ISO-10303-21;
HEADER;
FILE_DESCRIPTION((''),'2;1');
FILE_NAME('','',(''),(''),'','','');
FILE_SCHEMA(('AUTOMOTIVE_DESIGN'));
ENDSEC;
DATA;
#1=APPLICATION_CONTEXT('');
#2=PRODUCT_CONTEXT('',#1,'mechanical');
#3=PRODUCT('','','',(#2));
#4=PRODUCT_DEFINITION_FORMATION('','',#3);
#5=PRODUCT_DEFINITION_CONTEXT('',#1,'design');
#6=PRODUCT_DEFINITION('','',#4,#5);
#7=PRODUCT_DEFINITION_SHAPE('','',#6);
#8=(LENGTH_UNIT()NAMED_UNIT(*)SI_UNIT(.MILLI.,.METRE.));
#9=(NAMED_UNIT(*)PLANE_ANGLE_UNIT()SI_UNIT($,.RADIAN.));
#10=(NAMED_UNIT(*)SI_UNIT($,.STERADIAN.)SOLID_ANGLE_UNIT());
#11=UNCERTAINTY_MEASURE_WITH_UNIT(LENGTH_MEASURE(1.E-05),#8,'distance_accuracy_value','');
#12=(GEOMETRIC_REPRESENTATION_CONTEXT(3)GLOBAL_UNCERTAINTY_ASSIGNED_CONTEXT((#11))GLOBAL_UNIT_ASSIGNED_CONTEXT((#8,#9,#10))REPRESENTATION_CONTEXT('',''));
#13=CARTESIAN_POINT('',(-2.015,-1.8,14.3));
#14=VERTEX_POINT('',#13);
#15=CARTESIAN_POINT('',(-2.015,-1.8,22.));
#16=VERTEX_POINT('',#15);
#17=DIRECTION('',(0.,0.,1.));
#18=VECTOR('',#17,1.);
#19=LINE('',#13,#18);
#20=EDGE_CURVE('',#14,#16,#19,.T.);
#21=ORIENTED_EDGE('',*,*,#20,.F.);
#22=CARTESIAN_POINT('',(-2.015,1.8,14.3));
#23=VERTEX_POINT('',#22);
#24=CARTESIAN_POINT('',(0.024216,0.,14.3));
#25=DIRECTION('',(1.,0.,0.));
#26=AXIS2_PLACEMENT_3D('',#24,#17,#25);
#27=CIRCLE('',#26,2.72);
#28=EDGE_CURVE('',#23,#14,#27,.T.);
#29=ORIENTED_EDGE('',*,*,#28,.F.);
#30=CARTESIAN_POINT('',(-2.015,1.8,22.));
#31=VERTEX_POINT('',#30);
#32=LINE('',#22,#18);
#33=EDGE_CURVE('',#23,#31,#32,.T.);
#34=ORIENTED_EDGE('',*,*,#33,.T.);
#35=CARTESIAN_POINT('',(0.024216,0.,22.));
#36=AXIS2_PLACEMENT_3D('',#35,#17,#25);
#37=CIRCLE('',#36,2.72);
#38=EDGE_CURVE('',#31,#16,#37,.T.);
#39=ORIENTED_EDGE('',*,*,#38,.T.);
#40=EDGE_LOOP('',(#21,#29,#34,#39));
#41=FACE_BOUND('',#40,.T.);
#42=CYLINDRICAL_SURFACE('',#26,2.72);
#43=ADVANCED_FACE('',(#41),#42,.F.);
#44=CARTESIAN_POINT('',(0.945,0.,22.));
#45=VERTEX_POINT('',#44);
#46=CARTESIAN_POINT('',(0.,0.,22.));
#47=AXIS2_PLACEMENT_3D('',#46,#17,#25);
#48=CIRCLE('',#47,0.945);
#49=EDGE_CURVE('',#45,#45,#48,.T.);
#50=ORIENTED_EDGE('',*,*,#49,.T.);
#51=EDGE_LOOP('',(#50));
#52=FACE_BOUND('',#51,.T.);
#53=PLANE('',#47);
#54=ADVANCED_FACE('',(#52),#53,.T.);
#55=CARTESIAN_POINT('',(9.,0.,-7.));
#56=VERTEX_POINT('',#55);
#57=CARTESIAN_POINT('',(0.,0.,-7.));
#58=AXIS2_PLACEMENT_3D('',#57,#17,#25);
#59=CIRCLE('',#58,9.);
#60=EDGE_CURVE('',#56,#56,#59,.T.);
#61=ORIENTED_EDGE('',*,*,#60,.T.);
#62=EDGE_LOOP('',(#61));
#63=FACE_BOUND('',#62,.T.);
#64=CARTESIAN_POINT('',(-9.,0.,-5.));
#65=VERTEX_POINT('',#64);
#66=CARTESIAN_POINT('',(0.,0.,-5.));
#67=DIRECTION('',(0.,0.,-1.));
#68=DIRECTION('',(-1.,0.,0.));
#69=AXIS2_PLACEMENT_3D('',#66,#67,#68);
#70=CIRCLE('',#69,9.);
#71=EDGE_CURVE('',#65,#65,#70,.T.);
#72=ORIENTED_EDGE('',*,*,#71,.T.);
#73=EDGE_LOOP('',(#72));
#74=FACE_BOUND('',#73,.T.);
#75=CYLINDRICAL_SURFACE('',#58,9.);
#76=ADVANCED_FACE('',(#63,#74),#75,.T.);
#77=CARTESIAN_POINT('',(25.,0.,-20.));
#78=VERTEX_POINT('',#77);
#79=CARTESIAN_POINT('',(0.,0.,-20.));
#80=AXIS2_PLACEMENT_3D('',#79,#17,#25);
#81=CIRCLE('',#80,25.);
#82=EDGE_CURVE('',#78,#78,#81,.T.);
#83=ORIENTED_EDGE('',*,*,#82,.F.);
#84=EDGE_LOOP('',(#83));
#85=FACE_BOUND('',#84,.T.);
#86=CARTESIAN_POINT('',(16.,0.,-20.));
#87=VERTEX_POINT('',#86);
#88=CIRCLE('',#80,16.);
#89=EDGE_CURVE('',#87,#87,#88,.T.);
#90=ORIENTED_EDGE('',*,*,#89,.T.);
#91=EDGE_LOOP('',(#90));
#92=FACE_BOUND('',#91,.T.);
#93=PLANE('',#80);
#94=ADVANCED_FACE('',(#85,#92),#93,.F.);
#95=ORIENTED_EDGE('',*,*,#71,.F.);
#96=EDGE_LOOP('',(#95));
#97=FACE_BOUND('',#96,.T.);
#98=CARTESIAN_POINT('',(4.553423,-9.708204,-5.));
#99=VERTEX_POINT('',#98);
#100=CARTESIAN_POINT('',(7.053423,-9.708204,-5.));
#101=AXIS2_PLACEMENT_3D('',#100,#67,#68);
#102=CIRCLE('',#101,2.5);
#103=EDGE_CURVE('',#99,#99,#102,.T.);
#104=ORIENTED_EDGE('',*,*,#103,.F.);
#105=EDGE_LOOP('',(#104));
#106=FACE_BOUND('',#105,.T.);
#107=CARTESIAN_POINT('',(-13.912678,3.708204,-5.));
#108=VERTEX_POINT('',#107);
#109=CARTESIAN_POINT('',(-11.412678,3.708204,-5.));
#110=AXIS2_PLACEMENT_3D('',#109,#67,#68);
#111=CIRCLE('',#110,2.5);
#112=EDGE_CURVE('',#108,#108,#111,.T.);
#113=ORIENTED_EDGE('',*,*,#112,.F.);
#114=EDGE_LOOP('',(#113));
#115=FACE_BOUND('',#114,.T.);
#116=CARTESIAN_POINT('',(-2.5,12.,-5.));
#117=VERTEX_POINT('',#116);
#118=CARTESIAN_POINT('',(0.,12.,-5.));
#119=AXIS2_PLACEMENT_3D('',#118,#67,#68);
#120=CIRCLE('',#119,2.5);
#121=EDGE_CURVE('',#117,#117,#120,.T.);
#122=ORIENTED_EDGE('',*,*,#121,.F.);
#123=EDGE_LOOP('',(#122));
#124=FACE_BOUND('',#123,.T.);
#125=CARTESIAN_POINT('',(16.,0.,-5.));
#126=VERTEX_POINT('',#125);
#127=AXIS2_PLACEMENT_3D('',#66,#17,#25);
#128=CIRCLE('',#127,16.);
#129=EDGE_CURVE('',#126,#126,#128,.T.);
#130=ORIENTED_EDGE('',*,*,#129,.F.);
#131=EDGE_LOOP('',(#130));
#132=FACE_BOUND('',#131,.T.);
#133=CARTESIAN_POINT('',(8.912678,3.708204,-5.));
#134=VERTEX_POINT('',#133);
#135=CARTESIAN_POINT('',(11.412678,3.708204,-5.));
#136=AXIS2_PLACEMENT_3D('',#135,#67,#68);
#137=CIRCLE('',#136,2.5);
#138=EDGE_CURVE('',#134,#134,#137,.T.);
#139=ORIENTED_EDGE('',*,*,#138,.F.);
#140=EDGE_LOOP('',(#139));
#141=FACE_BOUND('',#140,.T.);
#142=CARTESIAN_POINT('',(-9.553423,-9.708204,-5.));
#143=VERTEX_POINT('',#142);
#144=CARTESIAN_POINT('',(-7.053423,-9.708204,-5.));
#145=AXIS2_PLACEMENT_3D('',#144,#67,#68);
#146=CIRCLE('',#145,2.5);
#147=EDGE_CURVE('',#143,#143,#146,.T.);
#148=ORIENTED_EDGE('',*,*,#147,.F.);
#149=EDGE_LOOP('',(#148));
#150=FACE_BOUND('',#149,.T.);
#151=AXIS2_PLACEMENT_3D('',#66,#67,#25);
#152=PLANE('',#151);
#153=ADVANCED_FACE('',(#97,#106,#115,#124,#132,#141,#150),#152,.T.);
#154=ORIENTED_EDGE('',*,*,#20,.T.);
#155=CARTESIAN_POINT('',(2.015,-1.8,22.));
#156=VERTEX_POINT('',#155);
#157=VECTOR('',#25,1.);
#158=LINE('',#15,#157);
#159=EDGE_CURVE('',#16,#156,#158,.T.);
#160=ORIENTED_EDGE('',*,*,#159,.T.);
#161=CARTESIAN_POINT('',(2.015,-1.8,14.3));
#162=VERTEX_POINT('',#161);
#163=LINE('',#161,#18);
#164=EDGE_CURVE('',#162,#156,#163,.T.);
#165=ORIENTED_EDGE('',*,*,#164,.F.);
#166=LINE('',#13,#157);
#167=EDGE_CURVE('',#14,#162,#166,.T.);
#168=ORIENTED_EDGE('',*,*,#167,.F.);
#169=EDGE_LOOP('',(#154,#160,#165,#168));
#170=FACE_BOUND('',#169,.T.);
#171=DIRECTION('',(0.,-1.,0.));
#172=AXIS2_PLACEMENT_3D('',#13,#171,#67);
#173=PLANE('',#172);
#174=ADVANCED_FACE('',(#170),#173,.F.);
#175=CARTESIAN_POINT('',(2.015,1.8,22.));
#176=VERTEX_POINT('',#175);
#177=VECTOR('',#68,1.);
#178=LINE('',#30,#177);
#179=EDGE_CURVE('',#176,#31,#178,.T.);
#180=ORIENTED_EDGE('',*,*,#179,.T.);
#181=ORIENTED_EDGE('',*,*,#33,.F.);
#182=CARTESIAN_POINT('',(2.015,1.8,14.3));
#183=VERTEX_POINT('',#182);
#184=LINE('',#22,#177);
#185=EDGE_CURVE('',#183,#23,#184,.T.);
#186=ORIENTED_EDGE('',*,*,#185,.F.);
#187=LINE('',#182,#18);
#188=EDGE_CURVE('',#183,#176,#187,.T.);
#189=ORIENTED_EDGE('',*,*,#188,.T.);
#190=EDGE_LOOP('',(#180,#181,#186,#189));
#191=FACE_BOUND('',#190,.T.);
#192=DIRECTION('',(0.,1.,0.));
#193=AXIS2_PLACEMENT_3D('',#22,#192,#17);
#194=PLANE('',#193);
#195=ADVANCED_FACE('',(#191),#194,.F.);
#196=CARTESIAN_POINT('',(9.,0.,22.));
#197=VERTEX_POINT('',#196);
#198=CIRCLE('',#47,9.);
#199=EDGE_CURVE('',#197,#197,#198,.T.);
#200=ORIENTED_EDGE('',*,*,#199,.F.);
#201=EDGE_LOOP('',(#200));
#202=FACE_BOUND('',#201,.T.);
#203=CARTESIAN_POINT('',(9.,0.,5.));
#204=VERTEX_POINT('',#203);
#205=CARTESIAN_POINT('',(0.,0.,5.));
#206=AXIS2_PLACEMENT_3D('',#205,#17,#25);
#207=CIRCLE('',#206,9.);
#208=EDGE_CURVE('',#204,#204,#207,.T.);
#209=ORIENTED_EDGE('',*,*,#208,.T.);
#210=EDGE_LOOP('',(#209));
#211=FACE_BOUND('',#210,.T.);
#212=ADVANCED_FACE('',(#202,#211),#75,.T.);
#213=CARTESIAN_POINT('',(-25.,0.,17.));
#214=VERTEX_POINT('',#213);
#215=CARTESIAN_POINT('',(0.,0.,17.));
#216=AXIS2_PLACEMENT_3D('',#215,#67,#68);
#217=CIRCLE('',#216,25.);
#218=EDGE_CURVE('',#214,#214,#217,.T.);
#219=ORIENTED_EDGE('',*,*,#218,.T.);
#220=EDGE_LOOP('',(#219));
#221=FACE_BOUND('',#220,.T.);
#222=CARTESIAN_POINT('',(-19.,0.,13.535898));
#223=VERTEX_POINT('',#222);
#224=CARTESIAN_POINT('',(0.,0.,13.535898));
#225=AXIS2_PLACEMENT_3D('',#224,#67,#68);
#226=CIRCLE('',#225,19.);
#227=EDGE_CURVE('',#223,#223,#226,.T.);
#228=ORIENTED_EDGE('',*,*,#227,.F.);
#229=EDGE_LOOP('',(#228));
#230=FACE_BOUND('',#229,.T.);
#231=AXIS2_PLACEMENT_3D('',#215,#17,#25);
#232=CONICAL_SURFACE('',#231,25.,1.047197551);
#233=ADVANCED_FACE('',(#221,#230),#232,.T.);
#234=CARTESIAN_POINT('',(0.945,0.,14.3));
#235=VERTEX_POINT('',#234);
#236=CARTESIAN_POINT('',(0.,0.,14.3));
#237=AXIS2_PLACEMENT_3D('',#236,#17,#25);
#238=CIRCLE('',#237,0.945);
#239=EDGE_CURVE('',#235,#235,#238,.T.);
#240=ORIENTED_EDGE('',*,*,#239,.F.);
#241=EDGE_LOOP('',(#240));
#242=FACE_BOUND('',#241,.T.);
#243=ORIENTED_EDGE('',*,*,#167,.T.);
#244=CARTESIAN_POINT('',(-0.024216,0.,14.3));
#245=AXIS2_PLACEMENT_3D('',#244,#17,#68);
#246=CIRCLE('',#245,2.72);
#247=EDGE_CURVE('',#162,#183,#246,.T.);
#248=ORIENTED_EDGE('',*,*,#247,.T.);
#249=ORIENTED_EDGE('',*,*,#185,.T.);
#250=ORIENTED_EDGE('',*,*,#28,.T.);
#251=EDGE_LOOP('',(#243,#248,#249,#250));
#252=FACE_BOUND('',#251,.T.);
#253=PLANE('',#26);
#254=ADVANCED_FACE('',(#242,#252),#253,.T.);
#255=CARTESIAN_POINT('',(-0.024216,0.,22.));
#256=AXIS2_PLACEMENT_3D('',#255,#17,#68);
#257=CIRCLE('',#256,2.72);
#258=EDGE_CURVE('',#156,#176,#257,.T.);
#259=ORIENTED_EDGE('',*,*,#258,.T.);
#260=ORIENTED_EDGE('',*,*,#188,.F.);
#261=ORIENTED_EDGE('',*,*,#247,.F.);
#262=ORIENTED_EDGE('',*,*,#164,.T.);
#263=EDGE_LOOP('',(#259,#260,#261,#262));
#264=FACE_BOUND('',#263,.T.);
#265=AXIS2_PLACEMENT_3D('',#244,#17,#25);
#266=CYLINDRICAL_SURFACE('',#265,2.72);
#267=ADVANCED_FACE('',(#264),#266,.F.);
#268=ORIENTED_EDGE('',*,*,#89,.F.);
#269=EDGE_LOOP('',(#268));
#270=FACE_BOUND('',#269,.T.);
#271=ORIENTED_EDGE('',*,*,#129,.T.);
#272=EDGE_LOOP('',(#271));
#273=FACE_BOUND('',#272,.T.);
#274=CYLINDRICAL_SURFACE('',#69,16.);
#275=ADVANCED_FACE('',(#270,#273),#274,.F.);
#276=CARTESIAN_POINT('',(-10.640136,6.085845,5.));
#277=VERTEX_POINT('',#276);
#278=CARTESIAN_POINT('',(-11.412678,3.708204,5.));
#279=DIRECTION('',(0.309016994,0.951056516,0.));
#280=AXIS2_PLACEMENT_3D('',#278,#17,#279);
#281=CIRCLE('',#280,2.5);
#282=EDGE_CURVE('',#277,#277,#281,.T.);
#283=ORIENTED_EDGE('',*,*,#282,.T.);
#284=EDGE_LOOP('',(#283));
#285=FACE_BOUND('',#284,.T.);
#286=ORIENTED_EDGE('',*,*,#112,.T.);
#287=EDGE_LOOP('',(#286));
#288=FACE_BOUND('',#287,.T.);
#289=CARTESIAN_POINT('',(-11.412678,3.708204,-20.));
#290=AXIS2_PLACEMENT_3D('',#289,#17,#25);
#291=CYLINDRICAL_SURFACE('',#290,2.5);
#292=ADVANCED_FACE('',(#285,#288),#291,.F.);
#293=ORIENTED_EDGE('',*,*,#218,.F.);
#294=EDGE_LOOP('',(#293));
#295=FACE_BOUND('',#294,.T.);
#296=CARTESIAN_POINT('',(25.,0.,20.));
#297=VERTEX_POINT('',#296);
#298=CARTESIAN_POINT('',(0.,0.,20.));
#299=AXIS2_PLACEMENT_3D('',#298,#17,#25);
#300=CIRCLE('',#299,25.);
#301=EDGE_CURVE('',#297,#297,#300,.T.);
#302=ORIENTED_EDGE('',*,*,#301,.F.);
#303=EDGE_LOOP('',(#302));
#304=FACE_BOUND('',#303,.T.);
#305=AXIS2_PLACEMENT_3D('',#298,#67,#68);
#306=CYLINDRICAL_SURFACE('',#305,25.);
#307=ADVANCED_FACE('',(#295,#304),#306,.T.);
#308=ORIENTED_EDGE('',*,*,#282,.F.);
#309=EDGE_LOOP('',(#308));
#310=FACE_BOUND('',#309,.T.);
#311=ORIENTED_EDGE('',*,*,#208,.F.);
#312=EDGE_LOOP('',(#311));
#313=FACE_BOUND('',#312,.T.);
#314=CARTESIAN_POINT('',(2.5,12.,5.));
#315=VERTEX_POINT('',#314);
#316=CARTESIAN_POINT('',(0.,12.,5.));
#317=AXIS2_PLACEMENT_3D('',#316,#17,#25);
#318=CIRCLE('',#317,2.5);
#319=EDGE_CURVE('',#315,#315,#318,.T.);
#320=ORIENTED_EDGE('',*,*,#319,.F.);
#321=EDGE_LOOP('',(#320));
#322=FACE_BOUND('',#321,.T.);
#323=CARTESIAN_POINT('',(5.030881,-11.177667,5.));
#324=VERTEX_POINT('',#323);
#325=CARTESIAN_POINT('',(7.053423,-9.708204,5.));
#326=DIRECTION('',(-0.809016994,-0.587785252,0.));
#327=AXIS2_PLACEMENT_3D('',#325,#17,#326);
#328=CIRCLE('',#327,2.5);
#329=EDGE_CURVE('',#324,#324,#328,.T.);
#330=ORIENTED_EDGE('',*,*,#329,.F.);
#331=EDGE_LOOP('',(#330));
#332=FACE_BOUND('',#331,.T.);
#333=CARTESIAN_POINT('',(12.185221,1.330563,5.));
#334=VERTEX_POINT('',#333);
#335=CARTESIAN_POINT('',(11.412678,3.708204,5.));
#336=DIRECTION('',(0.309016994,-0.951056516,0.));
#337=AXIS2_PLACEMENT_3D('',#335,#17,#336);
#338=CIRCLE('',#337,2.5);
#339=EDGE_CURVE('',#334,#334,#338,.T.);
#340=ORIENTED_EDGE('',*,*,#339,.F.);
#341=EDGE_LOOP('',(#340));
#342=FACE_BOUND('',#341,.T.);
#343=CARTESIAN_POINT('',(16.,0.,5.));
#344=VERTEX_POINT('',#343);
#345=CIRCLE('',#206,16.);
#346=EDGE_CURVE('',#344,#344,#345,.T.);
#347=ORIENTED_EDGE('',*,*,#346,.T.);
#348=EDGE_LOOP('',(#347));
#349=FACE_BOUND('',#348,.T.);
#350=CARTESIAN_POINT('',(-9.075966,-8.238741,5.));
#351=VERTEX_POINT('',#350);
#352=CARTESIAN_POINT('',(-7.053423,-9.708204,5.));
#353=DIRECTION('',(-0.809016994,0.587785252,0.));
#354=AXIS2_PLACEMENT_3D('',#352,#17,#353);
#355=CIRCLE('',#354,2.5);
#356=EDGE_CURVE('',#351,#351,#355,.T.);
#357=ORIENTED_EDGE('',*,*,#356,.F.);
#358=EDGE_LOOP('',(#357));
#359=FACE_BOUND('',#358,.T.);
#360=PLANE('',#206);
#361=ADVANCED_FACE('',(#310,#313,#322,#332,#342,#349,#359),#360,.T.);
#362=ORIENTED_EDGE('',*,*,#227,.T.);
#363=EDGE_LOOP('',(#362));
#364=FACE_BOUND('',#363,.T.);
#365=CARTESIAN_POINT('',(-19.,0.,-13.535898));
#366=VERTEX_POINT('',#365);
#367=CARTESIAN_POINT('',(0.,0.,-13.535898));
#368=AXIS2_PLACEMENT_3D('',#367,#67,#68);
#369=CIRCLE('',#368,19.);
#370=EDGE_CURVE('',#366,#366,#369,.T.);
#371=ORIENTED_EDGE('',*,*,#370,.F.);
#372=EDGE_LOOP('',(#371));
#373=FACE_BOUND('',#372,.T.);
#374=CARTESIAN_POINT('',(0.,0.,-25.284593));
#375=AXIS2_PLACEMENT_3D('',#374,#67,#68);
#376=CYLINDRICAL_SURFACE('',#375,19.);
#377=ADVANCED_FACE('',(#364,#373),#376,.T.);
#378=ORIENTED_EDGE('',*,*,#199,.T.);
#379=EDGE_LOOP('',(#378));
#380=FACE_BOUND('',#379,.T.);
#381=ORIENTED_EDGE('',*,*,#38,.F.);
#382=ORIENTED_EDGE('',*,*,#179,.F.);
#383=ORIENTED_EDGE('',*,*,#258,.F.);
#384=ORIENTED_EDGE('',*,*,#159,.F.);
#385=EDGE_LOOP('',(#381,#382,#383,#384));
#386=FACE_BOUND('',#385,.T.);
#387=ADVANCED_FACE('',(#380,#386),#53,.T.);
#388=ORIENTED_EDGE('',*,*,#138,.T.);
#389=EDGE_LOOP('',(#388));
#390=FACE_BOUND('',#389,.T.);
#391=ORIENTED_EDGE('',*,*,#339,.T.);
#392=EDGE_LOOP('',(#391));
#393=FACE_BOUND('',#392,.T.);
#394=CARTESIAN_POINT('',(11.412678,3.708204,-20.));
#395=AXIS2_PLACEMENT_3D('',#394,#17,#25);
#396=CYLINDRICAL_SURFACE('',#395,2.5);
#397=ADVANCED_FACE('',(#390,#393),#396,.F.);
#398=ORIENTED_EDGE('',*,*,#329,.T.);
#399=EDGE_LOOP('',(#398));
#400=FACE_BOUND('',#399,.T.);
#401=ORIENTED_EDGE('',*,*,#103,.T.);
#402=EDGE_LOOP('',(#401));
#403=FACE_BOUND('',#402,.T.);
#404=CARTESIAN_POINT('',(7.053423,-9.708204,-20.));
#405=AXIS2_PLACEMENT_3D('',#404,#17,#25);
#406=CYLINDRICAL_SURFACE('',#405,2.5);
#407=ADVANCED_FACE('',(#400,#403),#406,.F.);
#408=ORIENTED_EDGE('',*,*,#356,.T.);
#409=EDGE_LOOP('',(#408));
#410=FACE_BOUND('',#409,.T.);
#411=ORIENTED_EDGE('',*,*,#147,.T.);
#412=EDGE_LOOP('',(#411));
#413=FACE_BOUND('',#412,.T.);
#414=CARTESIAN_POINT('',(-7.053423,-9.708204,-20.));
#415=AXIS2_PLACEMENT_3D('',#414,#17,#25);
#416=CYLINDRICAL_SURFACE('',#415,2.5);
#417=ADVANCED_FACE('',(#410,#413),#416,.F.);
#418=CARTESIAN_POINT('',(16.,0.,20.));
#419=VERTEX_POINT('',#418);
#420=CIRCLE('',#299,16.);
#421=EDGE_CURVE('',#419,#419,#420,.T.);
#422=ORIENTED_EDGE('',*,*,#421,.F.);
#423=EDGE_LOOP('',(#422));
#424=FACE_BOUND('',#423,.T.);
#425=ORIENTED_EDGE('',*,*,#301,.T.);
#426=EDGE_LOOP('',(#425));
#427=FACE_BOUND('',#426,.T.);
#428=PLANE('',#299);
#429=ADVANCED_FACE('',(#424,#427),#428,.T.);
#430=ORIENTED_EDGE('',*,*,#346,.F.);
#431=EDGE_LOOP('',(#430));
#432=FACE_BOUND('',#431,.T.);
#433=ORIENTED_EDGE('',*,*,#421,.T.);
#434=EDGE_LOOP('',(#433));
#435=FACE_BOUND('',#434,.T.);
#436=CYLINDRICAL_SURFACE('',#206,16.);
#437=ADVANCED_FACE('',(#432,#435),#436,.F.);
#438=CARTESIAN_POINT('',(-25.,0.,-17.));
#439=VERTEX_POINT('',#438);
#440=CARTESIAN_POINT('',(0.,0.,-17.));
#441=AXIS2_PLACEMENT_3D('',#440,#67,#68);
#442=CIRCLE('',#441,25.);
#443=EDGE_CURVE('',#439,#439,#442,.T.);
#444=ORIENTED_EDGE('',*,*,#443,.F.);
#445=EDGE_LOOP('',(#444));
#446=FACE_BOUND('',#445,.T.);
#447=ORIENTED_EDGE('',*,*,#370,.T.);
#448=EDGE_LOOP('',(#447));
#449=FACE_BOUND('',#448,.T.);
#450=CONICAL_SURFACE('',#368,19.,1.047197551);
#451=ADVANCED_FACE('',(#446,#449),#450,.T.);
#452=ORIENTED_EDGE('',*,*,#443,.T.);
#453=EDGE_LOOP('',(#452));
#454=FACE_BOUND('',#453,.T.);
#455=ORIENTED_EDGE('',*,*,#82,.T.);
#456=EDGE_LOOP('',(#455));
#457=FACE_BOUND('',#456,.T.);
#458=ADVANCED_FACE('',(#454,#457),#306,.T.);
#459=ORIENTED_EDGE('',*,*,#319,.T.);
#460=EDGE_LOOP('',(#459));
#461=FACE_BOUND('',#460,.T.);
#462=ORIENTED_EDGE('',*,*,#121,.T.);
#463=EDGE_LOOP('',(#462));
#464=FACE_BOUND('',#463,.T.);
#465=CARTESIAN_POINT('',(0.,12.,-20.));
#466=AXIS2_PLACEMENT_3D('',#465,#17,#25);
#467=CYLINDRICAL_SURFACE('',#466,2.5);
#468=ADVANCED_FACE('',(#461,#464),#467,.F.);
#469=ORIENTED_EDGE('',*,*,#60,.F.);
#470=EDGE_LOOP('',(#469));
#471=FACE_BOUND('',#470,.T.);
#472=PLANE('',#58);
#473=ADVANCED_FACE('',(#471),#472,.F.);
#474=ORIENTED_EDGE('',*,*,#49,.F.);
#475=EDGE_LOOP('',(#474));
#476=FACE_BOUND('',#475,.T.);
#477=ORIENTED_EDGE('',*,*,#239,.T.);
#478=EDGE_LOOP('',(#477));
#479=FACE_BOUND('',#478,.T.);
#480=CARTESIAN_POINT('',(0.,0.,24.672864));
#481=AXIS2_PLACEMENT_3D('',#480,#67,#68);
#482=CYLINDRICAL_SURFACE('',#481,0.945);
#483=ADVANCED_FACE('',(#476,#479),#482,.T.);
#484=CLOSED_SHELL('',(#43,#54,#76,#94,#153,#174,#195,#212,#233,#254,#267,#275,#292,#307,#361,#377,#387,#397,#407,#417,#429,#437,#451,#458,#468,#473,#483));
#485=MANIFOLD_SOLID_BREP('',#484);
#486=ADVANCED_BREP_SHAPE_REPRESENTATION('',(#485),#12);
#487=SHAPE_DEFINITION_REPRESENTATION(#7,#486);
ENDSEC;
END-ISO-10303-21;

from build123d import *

# Parameters (mm, degrees)
ESQUISSE1_R                  = 25
ESQUISSE1_R_2                = 8
BOSS_EXTRU_1_DEPTH           = 20
ESQUISSE2_R                  = 16
ENL_V_MAT_EXTRU_1_DEPTH      = 15
ESQUISSE3_R                  = 2.5
ENL_V_MAT_EXTRU_2_DEPTH      = 44.301270189
R_P_TITION_CIRCULAIRE1_COUNT = 5
BOSS_EXTRU_2_DEPTH           = 17
BOSS_EXTRU_2_DEPTH_BACK      = 12
ESQUISSE4_R                  = 9
ESQUISSE4_R_2                = 8
BOSS_EXTRU_7_START           = -29
ESQUISSE13_R                 = 8
BOSS_EXTRU_7_DEPTH           = 29
ENL_V_MAT_EXTRU_3_DEPTH      = 7.7
ESQUISSE12_R                 = 0.945
BOSS_EXTRU_6_DEPTH           = 7.7


with BuildPart() as part:
    # Esquisse1 → Boss.-Extru.1 (new, symmetric)
    with BuildSketch(Plane.XY):
        Circle(ESQUISSE1_R)
        Circle(ESQUISSE1_R_2, mode=Mode.SUBTRACT)
    extrude(amount=BOSS_EXTRU_1_DEPTH, both=True)

    # Esquisse2 → Enlèv. mat.-Extru.1 (cut)
    with BuildSketch(Plane.XY.offset(20)):
        Circle(ESQUISSE2_R)
    enl_v_mat_extru_1 = extrude(amount=-ENL_V_MAT_EXTRU_1_DEPTH, mode=Mode.SUBTRACT)

    # Symétrie1: Enlèv. mat.-Extru.1 across plane
    add(enl_v_mat_extru_1.mirror(Plane.XY), mode=Mode.SUBTRACT)

    # Esquisse3 → Enlèv. mat.-Extru.2 (cut, through all)
    with BuildSketch(Plane.XY.offset(5)):
        with Locations((0, 12)):
            Circle(ESQUISSE3_R)
    enl_v_mat_extru_2 = extrude(amount=-ENL_V_MAT_EXTRU_2_DEPTH, mode=Mode.SUBTRACT)

    # Répétition circulaire1: Enlèv. mat.-Extru.2 ×5 about axis
    r_p_tition_circulaire1_axis = Axis((0, 0, 0), (0, 0, 1))
    for i in range(1, R_P_TITION_CIRCULAIRE1_COUNT):
        add(enl_v_mat_extru_2.rotate(r_p_tition_circulaire1_axis, i * 360 / R_P_TITION_CIRCULAIRE1_COUNT), mode=Mode.SUBTRACT)

    # Esquisse4 → Boss.-Extru.2 (add, two sides: drawn at the far end of the back side and taken through both)
    with BuildSketch(Plane.XY.offset(5).offset(-BOSS_EXTRU_2_DEPTH_BACK)):
        Circle(ESQUISSE4_R)
        Circle(ESQUISSE4_R_2, mode=Mode.SUBTRACT)
    extrude(amount=BOSS_EXTRU_2_DEPTH + BOSS_EXTRU_2_DEPTH_BACK)

    # Esquisse5 → Enlèvement de matière-Révolution1 (revolve, cut)
    with BuildSketch(Plane(origin=(0, 0, 0), x_dir=(1, 0, 0), z_dir=(0, 1, 0))):
        Polygon((-25, 17), (-19, 13.535898385), (-19, -13.535898385), (-25, -17), align=None)
    revolve(axis=Axis((0, 0, -25.284593115), (0, 0, 1)), mode=Mode.SUBTRACT)

    # Esquisse13 → Boss.-Extru.7 (add)
    with BuildSketch(Plane.XY.offset(22).offset(BOSS_EXTRU_7_START)):
        Circle(ESQUISSE13_R)
    extrude(amount=BOSS_EXTRU_7_DEPTH)

    # Esquisse11 → Enlèv. mat.-Extru.3 (cut)
    with BuildSketch(Plane.XY.offset(22)):
        with BuildLine():
            Line((-2.015, 1.8), (2.015, 1.8))
            ThreePointArc((2.015, 1.8), (2.695784465, 0), (2.015, -1.8))
            Line((2.015, -1.8), (-2.015, -1.8))
            ThreePointArc((-2.015, -1.8), (-2.695784465, 0), (-2.015, 1.8))
        make_face()
    extrude(amount=-ENL_V_MAT_EXTRU_3_DEPTH, mode=Mode.SUBTRACT)

    # Esquisse12 → Boss.-Extru.6 (add)
    with BuildSketch(Plane.XY.offset(14.3)):
        Circle(ESQUISSE12_R)
    extrude(amount=BOSS_EXTRU_6_DEPTH)


solid = part.part
